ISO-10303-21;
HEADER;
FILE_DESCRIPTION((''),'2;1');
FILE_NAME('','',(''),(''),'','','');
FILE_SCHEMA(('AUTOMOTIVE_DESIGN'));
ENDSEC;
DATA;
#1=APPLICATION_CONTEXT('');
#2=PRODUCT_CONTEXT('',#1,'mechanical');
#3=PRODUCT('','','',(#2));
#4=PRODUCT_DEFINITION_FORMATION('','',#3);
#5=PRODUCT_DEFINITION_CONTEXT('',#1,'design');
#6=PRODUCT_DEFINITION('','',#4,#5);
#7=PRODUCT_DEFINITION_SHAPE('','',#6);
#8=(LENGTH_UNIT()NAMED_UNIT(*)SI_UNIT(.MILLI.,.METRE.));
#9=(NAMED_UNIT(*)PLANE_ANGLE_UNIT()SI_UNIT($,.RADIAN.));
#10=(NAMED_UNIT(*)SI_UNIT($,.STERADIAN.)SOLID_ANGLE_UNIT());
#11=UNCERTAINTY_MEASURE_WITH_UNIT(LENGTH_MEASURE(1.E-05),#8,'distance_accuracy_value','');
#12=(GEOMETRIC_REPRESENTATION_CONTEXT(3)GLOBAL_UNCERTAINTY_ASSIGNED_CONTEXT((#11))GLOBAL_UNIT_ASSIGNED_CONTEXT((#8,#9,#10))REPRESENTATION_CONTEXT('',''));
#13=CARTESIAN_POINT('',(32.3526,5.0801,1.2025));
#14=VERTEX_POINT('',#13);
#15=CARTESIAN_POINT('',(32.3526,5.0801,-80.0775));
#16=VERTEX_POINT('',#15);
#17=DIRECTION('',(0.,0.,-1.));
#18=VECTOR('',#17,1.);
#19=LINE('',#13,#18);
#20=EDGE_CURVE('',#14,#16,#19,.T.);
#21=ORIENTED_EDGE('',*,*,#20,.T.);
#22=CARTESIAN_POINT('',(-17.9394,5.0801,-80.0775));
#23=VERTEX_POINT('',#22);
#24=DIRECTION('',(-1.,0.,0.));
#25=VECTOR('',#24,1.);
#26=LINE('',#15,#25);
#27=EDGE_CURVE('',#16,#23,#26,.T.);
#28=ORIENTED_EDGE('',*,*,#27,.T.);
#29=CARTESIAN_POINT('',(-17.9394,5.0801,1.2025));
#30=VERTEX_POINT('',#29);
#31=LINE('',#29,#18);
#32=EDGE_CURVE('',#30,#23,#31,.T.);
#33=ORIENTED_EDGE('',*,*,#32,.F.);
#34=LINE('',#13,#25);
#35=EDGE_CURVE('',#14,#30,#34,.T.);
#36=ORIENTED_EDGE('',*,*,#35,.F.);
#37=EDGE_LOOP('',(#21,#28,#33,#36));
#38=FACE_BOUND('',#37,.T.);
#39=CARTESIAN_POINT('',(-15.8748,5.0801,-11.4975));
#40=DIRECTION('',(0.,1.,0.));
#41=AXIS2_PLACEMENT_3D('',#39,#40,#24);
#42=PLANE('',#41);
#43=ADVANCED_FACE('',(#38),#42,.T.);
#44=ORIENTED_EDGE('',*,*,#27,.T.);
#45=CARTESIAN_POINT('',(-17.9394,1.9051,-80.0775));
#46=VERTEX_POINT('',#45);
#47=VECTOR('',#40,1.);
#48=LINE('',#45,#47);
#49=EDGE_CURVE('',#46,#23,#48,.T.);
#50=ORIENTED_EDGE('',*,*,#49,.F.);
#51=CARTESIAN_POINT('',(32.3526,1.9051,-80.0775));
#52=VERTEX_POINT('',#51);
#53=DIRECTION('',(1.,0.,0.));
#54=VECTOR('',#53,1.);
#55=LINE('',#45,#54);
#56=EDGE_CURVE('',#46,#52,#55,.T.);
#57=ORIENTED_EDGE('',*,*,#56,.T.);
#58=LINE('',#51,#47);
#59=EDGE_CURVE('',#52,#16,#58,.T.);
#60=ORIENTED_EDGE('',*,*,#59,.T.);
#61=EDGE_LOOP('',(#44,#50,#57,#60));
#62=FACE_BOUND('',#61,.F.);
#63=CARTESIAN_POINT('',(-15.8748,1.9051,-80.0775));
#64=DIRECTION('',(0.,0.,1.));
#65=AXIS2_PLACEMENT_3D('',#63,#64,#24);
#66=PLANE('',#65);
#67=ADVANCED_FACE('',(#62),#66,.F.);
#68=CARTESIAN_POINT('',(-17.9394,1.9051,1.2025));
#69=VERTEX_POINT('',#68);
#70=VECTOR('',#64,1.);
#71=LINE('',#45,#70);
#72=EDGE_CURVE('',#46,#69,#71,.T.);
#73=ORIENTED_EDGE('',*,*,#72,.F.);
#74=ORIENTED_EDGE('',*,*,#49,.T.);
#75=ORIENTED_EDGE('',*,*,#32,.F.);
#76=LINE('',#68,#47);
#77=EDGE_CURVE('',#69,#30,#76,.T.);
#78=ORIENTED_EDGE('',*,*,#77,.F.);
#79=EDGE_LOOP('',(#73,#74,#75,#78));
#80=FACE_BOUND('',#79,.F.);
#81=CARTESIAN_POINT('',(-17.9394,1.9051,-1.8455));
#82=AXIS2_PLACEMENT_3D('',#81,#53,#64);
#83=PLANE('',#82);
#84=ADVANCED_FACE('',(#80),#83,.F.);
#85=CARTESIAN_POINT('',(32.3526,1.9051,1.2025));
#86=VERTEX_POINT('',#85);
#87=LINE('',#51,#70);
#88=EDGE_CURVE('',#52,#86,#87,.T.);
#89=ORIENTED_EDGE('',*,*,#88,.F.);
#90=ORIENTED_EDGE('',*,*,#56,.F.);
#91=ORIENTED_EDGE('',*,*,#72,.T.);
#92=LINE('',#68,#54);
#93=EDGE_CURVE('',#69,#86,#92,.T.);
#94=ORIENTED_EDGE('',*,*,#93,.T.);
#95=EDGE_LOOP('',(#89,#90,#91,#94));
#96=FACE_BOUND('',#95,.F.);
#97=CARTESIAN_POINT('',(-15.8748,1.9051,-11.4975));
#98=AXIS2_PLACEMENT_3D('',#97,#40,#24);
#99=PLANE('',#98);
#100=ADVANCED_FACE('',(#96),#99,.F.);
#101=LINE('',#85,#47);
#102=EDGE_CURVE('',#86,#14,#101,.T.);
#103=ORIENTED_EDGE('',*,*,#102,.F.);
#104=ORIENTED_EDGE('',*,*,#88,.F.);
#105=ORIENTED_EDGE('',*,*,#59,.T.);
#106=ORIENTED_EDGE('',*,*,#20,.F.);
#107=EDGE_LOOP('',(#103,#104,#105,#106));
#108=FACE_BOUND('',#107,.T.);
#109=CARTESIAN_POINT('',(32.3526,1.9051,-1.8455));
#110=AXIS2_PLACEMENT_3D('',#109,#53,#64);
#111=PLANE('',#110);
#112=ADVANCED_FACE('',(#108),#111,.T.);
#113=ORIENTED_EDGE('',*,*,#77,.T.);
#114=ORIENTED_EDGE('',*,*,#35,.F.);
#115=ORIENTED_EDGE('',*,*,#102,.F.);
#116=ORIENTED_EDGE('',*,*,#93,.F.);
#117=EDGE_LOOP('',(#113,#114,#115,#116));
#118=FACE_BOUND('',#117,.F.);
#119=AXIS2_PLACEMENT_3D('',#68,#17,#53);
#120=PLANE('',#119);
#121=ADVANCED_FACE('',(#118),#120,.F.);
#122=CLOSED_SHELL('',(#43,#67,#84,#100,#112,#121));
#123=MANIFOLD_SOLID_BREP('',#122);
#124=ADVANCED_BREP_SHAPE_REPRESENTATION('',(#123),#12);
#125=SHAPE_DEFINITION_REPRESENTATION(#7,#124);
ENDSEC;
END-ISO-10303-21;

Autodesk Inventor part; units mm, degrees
ref_plane "YZ Plane" through (0, 0, 0) normal (1, 0, 0) x (0, 1, 0)
ref_plane "XZ Plane" through (0, 0, 0) normal (0, 1, 0) x (-1, 0, 0)
ref_plane "XY Plane" through (0, 0, 0) normal (0, 0, 1) x (1, 0, 0)
ref_plane "Work Plane1" through (-15.8748, 1.9051, -11.4975) normal (0, 1, 0) x (-1, 0, 0)
sketch "Sketch1" plane through (-15.8748, 1.9051, -11.4975) normal (0, 1, 0) x (-1, 0, 0)
  line L0 (0, 12.7) -> (-46.1627, 12.7) projected
  line L1 (-46.1627, -68.58) -> (0, -68.58) projected
  line L2 (-23.0814, -68.58) -> (-23.0814, 12.7) construction
  line L3 (-23.0814, -68.58) -> (-48.2274, -68.58)
  line L4 (-48.2274, -68.58) -> (-48.2274, 12.7)
  line L5 (-48.2274, 12.7) -> (-23.0814, 12.7)
  line L6 (-48.2274, 9.652) -> (-23.0814, 9.652)
  line L7 (-48.2274, 7.9375) -> (-23.0814, 7.9375)
  line L8 (-48.2274, -65.532) -> (-23.0814, -65.532)
  line L9 (-48.2274, -63.8175) -> (-23.0814, -63.8175)
  line L10 (-46.1627, 12.7) -> (0, 12.7)
  line L11 (0, -68.58) -> (-46.1627, -68.58)
  line L12 (-23.0814, -68.58) -> (2.0646, -68.58)
  line L13 (2.0646, -68.58) -> (2.0646, 12.7)
  line L14 (2.0646, 12.7) -> (-23.0814, 12.7)
  line L15 (2.0646, 9.652) -> (-23.0814, 9.652)
  line L16 (2.0646, 7.9375) -> (-23.0814, 7.9375)
  line L17 (2.0646, -65.532) -> (-23.0814, -65.532)
  line L18 (2.0646, -63.8175) -> (-23.0814, -63.8175)
  point P0 (-15.8748, 11.4975)
  point P1 (0, -68.58)
  dimension "d0" = 25.146
  dimension "d1" = 3.048
  dimension "d2" = 3.048
  dimension "d3" = 4.7625
  dimension "d4" = 4.7625
extrude "Extrusion1" add sketch "Sketch1" along normal blind 3.175
properties part number "DinMountRelay4"
